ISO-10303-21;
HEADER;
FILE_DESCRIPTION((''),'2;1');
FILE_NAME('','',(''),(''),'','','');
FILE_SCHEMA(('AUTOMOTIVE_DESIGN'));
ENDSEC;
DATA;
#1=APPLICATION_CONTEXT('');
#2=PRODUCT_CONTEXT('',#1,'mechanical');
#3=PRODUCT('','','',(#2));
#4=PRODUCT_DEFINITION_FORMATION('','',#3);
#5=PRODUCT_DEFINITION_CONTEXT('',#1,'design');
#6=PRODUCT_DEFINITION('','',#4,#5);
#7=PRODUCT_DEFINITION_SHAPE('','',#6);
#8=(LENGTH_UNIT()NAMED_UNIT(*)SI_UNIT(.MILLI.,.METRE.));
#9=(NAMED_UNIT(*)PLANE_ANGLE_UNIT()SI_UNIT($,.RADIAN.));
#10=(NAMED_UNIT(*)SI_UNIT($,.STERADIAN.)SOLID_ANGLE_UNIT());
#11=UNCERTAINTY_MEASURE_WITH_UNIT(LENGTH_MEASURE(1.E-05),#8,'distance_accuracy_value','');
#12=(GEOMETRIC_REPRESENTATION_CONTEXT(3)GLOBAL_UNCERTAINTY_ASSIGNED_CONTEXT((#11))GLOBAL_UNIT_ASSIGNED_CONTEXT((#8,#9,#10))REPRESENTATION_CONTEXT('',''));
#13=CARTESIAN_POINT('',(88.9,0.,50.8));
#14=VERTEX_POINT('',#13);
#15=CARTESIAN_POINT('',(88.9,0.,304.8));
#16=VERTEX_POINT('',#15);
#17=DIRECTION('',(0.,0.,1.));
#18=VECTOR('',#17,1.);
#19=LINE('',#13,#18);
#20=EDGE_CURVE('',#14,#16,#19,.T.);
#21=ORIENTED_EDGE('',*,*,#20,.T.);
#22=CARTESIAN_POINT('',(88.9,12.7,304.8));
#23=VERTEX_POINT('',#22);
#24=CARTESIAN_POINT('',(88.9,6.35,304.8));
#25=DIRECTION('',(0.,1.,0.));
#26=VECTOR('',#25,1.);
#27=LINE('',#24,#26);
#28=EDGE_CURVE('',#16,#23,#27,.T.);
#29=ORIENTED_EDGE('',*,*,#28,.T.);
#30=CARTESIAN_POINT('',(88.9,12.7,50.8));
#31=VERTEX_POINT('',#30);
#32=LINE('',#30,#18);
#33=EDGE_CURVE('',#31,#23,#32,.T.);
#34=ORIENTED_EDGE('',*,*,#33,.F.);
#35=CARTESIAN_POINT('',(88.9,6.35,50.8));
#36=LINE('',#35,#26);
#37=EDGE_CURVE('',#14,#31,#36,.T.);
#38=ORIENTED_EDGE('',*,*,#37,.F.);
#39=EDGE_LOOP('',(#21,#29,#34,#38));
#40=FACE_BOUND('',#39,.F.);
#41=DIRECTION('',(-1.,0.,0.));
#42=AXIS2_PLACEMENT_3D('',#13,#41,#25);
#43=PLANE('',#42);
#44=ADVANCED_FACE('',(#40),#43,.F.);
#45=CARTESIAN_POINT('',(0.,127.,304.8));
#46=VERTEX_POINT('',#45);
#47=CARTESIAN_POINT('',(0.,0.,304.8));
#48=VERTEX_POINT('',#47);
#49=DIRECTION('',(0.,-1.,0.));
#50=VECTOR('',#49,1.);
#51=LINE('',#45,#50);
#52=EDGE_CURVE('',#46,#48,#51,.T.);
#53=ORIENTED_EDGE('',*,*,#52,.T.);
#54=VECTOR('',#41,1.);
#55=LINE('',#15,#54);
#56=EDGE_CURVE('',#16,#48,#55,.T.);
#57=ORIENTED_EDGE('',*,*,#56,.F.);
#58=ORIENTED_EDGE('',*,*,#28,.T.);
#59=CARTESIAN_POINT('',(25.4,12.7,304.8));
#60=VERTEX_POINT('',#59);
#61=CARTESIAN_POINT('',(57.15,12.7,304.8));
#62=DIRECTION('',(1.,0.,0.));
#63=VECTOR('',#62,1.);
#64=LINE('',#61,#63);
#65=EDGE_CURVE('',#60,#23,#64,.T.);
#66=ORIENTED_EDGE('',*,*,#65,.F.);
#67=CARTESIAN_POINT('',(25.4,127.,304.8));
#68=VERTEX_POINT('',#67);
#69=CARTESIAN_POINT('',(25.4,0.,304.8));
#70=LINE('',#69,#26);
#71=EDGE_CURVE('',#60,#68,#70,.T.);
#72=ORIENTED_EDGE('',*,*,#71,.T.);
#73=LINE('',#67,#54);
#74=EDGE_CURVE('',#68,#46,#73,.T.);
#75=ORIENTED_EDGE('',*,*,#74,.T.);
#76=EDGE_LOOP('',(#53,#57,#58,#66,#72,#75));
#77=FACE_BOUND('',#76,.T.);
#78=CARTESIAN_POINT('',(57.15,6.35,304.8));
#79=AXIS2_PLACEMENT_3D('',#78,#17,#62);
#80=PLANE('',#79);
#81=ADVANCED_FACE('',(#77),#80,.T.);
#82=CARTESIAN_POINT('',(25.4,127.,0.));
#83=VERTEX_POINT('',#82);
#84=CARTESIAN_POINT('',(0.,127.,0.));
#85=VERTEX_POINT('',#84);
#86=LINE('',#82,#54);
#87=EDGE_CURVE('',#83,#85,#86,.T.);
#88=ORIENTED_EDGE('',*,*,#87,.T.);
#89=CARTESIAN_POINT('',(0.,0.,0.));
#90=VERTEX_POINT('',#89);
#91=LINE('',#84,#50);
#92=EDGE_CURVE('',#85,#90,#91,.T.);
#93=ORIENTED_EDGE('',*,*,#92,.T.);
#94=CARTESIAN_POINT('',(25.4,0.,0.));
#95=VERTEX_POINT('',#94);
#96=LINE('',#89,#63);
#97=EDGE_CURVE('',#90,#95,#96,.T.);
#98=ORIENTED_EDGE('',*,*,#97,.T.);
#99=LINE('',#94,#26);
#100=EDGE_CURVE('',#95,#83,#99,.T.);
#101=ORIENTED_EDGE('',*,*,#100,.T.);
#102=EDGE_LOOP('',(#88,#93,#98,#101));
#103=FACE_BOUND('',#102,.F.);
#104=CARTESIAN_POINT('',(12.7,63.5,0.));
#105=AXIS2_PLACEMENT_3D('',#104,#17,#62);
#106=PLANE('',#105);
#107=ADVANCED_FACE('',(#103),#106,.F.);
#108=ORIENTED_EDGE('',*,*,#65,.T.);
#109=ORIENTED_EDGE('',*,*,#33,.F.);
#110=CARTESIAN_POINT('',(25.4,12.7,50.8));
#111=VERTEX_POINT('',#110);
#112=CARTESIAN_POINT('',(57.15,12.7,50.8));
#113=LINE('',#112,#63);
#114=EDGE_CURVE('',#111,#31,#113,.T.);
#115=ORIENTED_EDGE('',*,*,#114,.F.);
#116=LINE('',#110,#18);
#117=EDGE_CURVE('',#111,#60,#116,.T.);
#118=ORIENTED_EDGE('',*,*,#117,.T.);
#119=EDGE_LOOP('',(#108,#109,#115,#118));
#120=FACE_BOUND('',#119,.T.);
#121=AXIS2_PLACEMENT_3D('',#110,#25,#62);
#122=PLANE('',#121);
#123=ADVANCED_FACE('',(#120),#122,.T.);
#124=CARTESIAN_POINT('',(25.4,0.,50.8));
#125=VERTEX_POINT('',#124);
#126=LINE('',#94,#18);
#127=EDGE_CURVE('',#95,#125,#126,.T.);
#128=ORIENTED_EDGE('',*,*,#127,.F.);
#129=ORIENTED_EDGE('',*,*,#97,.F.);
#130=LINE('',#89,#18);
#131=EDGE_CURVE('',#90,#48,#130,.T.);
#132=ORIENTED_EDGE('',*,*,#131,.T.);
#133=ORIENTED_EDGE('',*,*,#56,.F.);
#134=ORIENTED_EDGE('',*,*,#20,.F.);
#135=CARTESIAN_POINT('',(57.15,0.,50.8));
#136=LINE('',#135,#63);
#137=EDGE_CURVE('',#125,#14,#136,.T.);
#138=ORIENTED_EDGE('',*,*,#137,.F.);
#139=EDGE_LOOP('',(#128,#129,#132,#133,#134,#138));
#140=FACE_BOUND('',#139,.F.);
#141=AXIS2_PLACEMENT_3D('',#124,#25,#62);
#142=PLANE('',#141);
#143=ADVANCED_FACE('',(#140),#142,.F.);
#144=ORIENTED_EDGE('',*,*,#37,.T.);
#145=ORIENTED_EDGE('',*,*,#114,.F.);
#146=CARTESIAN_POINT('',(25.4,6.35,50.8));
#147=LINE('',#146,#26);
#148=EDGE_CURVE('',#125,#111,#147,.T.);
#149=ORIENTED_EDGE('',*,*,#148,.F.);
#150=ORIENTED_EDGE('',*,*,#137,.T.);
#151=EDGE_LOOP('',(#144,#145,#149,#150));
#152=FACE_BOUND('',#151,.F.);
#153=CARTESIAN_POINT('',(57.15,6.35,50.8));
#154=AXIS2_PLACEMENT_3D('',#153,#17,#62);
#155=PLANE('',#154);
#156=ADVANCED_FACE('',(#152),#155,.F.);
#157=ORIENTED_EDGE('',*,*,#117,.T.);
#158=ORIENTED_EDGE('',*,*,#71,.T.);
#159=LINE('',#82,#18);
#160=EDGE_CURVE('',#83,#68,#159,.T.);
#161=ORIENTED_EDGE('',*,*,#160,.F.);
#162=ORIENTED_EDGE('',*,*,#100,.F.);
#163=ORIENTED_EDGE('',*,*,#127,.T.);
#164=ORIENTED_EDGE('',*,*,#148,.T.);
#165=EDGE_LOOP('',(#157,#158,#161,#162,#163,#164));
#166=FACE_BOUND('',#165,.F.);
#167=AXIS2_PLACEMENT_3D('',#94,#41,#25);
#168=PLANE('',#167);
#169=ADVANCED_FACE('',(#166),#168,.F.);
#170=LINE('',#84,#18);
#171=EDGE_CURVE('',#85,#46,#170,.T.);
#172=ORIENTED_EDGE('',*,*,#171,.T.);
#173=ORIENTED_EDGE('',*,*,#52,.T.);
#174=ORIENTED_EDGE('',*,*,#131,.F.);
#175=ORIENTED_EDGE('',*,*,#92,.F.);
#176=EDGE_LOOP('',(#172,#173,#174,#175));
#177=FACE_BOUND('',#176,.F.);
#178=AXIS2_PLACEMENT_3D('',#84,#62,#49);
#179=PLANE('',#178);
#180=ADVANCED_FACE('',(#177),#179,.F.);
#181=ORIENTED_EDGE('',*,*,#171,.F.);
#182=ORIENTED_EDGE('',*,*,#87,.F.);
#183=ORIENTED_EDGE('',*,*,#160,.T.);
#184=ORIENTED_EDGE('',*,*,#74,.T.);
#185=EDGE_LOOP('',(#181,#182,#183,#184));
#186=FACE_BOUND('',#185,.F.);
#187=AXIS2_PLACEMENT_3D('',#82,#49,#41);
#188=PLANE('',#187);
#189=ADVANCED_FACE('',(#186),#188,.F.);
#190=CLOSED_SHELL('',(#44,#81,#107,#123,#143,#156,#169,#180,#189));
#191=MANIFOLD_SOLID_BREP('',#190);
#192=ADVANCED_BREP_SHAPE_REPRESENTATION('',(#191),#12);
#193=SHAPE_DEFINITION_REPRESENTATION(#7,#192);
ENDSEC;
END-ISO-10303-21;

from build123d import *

# Parameters (mm, degrees)
F1_DEPTH = 304.8
F2_START = 50.8
F0_W     = 63.5
F0_H     = 12.7
F2_DEPTH = 254


with BuildPart() as f1:
    # F0 (on Top) → F1 (new body)
    with BuildSketch(Plane.XY):
        Polygon((0, 127), (0, 0), (25.4, 0), (25.4, 12.7), (25.4, 127), align=None)
    extrude(amount=F1_DEPTH)

    # F0 (on Top) → F2 (join)
    with BuildSketch(Plane.XY.offset(F2_START)):
        with Locations((57.15, 6.35)):
            Rectangle(F0_W, F0_H)
    extrude(amount=F2_DEPTH)


solid = f1.part
